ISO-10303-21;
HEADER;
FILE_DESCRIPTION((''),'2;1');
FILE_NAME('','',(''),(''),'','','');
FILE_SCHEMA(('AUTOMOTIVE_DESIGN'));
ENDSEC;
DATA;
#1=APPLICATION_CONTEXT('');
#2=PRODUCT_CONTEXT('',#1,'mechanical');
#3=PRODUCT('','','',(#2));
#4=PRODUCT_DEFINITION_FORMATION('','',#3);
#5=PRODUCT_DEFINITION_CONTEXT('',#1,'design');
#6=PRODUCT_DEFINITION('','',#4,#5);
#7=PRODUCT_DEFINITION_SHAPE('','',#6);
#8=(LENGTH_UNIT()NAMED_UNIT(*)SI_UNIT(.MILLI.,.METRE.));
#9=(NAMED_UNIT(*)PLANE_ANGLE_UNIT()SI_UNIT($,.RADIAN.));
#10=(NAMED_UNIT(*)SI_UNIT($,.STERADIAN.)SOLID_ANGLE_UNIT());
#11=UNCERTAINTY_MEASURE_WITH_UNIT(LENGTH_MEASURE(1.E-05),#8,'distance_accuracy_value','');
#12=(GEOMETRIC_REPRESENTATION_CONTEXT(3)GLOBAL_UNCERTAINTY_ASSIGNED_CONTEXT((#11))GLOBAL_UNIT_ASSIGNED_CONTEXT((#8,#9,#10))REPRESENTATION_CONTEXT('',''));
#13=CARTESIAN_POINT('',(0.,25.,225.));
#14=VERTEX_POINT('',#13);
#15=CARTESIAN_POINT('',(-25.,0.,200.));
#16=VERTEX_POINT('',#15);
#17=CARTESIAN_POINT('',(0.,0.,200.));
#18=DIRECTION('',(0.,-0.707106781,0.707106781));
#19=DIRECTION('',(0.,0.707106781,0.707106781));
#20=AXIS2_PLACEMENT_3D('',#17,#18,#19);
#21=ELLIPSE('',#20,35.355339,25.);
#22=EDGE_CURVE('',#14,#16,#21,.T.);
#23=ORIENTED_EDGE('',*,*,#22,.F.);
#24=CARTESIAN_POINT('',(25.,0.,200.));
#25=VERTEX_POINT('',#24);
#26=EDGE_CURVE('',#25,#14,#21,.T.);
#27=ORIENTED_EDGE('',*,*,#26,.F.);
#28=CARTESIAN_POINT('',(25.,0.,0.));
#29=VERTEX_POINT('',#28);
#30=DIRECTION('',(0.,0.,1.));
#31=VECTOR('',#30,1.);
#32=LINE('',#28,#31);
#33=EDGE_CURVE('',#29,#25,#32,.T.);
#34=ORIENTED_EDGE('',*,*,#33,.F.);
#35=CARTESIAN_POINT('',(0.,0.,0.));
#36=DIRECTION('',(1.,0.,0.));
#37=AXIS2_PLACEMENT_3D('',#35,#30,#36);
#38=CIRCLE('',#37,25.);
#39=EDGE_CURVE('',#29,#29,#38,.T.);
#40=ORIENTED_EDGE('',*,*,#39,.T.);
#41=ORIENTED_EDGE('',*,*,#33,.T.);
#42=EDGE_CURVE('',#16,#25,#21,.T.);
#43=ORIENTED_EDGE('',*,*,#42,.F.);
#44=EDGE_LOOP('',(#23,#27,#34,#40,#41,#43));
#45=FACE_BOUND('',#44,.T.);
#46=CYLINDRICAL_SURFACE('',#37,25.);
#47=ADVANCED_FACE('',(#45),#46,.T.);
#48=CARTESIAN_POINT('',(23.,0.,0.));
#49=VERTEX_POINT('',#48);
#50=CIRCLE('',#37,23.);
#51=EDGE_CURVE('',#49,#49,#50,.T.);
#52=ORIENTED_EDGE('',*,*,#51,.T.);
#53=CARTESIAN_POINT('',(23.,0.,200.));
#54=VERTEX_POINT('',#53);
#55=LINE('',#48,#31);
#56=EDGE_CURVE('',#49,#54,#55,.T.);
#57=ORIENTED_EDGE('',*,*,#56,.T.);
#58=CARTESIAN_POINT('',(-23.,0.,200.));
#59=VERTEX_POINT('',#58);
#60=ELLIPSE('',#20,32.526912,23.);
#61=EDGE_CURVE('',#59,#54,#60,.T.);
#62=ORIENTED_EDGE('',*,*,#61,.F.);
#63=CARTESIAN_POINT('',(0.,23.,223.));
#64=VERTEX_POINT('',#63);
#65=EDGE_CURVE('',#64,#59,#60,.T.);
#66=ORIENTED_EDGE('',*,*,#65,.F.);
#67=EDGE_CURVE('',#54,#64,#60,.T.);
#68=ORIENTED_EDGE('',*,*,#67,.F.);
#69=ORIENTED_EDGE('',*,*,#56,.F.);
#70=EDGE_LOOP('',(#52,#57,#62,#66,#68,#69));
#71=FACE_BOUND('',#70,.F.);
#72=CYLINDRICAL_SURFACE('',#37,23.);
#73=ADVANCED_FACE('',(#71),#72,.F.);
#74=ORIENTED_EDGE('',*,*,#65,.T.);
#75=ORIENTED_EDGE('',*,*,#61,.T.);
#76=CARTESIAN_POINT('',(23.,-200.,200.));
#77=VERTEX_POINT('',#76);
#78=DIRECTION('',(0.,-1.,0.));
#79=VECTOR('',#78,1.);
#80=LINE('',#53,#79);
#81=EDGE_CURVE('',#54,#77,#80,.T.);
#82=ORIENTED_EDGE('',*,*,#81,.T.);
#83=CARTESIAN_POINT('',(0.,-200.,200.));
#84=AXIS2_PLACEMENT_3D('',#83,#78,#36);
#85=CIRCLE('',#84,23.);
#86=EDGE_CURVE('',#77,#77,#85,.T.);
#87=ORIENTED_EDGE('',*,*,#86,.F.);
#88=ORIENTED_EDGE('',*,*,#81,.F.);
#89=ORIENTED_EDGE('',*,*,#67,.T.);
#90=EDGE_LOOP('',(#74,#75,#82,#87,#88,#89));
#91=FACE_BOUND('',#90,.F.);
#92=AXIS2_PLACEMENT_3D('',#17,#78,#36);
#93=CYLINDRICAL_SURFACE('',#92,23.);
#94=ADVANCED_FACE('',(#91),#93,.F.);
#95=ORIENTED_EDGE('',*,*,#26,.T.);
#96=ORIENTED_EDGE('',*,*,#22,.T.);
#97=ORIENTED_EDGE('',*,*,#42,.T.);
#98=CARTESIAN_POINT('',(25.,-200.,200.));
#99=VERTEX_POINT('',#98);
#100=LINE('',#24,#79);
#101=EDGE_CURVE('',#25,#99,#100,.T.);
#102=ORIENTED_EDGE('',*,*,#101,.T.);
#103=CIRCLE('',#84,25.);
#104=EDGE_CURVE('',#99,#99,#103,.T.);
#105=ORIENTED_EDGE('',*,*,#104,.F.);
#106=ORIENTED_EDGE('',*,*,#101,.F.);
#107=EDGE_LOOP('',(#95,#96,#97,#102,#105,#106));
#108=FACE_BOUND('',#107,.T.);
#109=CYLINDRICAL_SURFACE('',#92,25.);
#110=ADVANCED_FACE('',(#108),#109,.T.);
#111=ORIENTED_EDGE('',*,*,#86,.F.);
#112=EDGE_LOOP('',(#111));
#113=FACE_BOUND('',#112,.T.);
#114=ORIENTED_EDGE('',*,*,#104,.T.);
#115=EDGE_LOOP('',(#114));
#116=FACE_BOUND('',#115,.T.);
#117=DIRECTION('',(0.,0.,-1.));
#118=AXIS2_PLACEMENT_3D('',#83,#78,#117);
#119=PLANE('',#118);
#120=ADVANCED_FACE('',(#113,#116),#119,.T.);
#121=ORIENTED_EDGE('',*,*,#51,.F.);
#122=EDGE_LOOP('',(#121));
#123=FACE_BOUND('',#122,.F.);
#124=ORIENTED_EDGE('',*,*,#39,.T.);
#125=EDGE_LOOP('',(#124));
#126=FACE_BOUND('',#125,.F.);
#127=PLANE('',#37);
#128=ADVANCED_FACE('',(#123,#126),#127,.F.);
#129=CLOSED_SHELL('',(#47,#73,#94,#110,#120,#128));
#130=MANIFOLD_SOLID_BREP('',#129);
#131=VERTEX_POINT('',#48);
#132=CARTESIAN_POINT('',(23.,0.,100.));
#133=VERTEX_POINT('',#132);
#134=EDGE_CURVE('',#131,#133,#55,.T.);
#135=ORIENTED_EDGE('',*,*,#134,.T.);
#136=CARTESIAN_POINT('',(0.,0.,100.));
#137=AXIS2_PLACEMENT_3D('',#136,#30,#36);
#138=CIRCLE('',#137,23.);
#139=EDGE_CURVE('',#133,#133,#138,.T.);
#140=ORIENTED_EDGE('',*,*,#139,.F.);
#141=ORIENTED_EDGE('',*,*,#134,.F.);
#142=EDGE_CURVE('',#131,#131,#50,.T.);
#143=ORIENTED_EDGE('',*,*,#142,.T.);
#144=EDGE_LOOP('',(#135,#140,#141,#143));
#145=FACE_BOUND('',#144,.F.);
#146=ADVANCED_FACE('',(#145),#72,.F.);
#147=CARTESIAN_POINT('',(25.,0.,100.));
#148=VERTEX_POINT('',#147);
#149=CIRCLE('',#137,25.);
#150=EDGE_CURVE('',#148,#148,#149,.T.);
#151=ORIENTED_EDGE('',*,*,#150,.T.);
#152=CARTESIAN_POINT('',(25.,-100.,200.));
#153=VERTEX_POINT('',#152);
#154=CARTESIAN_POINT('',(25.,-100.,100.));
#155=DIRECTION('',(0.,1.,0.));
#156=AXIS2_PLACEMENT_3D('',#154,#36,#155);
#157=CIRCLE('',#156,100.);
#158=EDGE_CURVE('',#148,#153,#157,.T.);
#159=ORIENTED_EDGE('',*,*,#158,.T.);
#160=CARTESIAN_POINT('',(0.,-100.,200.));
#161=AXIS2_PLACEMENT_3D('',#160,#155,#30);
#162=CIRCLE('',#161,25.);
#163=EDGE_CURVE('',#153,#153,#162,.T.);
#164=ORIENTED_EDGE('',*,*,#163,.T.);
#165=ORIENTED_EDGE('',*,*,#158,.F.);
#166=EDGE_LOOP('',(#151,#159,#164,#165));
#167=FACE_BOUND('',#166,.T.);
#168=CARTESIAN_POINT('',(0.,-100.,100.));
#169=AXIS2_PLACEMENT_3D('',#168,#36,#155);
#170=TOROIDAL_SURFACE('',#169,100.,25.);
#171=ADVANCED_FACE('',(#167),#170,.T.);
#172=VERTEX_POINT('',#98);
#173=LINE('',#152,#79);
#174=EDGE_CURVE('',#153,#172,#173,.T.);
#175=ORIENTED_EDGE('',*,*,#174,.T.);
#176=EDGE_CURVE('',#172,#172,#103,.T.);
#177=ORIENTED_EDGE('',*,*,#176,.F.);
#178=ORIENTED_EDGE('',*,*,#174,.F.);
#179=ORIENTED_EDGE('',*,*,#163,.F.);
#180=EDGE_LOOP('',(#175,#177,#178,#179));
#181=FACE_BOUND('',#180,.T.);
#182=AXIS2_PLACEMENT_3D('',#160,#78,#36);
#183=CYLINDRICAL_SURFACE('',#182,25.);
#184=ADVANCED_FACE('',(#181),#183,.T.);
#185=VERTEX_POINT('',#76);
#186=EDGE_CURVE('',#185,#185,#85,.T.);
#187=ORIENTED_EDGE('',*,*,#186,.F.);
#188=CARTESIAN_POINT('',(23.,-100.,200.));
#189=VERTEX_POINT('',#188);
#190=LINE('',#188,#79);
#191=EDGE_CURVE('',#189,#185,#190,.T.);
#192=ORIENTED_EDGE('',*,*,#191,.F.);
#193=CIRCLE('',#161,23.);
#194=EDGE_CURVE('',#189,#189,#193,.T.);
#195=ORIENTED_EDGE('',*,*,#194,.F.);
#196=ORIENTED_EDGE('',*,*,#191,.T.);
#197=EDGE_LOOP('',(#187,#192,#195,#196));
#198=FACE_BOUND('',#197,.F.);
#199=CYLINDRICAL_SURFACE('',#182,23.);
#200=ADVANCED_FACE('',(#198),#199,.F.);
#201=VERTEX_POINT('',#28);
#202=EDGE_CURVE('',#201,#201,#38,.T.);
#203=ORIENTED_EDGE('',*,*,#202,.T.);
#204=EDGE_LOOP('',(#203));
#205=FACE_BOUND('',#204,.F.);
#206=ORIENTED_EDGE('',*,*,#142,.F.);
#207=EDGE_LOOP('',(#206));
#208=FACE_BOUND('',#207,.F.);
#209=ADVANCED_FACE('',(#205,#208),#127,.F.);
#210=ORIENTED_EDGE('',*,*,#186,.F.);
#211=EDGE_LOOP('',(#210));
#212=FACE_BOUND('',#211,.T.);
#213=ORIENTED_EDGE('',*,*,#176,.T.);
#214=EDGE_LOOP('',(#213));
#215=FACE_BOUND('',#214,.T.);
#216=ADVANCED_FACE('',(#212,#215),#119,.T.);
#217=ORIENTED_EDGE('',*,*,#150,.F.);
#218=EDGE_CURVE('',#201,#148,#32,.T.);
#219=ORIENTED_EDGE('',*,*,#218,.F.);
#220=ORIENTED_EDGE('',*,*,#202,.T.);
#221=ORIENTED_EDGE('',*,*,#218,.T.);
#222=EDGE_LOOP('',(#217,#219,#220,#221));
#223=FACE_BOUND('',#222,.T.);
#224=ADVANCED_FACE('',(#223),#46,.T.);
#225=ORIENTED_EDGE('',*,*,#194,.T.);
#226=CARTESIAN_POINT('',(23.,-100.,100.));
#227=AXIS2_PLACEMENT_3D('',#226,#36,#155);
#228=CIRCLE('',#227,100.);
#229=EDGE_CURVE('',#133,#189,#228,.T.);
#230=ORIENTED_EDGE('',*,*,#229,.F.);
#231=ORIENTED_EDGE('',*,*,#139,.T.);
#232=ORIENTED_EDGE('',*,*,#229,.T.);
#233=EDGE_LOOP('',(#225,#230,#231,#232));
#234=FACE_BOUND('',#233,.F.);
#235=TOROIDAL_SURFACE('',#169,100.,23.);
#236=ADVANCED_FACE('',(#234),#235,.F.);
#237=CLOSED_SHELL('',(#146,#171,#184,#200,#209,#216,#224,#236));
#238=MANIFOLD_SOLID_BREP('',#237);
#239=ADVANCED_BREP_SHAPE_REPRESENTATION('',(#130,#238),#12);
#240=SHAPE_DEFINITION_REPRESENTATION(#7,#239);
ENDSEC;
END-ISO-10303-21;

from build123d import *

# Parameters (mm, degrees)
F0_R   = 25
F0_R_2 = 23


with BuildPart() as f2:
    # F2: sweep along a path in F1
    with BuildLine(Plane.YZ) as f2_path:
        Line((0, 0), (0, 100))
        ThreePointArc((0, 100), (-29.2893218813, 170.7106781187), (-100, 200))
        Line((-100, 200), (-200, 200))
    # F0 (on Top) → F2 (sweep)
    with BuildSketch(Plane.XY):
        Circle(F0_R)
        Circle(F0_R_2, mode=Mode.SUBTRACT)
    sweep(path=f2_path.line)


with BuildPart() as f4:
    # F4: sweep along a path in F3
    with BuildLine(Plane.YZ) as f4_path:
        Line((0, 0), (0, 200))
        Line((0, 200), (-200, 200))
    # F0 (on Top) → F4 (sweep)
    with BuildSketch(Plane.XY):
        Circle(F0_R)
        Circle(F0_R_2, mode=Mode.SUBTRACT)
    sweep(path=f4_path.line, transition=Transition.RIGHT)


solid = Compound([f2.part, f4.part])
